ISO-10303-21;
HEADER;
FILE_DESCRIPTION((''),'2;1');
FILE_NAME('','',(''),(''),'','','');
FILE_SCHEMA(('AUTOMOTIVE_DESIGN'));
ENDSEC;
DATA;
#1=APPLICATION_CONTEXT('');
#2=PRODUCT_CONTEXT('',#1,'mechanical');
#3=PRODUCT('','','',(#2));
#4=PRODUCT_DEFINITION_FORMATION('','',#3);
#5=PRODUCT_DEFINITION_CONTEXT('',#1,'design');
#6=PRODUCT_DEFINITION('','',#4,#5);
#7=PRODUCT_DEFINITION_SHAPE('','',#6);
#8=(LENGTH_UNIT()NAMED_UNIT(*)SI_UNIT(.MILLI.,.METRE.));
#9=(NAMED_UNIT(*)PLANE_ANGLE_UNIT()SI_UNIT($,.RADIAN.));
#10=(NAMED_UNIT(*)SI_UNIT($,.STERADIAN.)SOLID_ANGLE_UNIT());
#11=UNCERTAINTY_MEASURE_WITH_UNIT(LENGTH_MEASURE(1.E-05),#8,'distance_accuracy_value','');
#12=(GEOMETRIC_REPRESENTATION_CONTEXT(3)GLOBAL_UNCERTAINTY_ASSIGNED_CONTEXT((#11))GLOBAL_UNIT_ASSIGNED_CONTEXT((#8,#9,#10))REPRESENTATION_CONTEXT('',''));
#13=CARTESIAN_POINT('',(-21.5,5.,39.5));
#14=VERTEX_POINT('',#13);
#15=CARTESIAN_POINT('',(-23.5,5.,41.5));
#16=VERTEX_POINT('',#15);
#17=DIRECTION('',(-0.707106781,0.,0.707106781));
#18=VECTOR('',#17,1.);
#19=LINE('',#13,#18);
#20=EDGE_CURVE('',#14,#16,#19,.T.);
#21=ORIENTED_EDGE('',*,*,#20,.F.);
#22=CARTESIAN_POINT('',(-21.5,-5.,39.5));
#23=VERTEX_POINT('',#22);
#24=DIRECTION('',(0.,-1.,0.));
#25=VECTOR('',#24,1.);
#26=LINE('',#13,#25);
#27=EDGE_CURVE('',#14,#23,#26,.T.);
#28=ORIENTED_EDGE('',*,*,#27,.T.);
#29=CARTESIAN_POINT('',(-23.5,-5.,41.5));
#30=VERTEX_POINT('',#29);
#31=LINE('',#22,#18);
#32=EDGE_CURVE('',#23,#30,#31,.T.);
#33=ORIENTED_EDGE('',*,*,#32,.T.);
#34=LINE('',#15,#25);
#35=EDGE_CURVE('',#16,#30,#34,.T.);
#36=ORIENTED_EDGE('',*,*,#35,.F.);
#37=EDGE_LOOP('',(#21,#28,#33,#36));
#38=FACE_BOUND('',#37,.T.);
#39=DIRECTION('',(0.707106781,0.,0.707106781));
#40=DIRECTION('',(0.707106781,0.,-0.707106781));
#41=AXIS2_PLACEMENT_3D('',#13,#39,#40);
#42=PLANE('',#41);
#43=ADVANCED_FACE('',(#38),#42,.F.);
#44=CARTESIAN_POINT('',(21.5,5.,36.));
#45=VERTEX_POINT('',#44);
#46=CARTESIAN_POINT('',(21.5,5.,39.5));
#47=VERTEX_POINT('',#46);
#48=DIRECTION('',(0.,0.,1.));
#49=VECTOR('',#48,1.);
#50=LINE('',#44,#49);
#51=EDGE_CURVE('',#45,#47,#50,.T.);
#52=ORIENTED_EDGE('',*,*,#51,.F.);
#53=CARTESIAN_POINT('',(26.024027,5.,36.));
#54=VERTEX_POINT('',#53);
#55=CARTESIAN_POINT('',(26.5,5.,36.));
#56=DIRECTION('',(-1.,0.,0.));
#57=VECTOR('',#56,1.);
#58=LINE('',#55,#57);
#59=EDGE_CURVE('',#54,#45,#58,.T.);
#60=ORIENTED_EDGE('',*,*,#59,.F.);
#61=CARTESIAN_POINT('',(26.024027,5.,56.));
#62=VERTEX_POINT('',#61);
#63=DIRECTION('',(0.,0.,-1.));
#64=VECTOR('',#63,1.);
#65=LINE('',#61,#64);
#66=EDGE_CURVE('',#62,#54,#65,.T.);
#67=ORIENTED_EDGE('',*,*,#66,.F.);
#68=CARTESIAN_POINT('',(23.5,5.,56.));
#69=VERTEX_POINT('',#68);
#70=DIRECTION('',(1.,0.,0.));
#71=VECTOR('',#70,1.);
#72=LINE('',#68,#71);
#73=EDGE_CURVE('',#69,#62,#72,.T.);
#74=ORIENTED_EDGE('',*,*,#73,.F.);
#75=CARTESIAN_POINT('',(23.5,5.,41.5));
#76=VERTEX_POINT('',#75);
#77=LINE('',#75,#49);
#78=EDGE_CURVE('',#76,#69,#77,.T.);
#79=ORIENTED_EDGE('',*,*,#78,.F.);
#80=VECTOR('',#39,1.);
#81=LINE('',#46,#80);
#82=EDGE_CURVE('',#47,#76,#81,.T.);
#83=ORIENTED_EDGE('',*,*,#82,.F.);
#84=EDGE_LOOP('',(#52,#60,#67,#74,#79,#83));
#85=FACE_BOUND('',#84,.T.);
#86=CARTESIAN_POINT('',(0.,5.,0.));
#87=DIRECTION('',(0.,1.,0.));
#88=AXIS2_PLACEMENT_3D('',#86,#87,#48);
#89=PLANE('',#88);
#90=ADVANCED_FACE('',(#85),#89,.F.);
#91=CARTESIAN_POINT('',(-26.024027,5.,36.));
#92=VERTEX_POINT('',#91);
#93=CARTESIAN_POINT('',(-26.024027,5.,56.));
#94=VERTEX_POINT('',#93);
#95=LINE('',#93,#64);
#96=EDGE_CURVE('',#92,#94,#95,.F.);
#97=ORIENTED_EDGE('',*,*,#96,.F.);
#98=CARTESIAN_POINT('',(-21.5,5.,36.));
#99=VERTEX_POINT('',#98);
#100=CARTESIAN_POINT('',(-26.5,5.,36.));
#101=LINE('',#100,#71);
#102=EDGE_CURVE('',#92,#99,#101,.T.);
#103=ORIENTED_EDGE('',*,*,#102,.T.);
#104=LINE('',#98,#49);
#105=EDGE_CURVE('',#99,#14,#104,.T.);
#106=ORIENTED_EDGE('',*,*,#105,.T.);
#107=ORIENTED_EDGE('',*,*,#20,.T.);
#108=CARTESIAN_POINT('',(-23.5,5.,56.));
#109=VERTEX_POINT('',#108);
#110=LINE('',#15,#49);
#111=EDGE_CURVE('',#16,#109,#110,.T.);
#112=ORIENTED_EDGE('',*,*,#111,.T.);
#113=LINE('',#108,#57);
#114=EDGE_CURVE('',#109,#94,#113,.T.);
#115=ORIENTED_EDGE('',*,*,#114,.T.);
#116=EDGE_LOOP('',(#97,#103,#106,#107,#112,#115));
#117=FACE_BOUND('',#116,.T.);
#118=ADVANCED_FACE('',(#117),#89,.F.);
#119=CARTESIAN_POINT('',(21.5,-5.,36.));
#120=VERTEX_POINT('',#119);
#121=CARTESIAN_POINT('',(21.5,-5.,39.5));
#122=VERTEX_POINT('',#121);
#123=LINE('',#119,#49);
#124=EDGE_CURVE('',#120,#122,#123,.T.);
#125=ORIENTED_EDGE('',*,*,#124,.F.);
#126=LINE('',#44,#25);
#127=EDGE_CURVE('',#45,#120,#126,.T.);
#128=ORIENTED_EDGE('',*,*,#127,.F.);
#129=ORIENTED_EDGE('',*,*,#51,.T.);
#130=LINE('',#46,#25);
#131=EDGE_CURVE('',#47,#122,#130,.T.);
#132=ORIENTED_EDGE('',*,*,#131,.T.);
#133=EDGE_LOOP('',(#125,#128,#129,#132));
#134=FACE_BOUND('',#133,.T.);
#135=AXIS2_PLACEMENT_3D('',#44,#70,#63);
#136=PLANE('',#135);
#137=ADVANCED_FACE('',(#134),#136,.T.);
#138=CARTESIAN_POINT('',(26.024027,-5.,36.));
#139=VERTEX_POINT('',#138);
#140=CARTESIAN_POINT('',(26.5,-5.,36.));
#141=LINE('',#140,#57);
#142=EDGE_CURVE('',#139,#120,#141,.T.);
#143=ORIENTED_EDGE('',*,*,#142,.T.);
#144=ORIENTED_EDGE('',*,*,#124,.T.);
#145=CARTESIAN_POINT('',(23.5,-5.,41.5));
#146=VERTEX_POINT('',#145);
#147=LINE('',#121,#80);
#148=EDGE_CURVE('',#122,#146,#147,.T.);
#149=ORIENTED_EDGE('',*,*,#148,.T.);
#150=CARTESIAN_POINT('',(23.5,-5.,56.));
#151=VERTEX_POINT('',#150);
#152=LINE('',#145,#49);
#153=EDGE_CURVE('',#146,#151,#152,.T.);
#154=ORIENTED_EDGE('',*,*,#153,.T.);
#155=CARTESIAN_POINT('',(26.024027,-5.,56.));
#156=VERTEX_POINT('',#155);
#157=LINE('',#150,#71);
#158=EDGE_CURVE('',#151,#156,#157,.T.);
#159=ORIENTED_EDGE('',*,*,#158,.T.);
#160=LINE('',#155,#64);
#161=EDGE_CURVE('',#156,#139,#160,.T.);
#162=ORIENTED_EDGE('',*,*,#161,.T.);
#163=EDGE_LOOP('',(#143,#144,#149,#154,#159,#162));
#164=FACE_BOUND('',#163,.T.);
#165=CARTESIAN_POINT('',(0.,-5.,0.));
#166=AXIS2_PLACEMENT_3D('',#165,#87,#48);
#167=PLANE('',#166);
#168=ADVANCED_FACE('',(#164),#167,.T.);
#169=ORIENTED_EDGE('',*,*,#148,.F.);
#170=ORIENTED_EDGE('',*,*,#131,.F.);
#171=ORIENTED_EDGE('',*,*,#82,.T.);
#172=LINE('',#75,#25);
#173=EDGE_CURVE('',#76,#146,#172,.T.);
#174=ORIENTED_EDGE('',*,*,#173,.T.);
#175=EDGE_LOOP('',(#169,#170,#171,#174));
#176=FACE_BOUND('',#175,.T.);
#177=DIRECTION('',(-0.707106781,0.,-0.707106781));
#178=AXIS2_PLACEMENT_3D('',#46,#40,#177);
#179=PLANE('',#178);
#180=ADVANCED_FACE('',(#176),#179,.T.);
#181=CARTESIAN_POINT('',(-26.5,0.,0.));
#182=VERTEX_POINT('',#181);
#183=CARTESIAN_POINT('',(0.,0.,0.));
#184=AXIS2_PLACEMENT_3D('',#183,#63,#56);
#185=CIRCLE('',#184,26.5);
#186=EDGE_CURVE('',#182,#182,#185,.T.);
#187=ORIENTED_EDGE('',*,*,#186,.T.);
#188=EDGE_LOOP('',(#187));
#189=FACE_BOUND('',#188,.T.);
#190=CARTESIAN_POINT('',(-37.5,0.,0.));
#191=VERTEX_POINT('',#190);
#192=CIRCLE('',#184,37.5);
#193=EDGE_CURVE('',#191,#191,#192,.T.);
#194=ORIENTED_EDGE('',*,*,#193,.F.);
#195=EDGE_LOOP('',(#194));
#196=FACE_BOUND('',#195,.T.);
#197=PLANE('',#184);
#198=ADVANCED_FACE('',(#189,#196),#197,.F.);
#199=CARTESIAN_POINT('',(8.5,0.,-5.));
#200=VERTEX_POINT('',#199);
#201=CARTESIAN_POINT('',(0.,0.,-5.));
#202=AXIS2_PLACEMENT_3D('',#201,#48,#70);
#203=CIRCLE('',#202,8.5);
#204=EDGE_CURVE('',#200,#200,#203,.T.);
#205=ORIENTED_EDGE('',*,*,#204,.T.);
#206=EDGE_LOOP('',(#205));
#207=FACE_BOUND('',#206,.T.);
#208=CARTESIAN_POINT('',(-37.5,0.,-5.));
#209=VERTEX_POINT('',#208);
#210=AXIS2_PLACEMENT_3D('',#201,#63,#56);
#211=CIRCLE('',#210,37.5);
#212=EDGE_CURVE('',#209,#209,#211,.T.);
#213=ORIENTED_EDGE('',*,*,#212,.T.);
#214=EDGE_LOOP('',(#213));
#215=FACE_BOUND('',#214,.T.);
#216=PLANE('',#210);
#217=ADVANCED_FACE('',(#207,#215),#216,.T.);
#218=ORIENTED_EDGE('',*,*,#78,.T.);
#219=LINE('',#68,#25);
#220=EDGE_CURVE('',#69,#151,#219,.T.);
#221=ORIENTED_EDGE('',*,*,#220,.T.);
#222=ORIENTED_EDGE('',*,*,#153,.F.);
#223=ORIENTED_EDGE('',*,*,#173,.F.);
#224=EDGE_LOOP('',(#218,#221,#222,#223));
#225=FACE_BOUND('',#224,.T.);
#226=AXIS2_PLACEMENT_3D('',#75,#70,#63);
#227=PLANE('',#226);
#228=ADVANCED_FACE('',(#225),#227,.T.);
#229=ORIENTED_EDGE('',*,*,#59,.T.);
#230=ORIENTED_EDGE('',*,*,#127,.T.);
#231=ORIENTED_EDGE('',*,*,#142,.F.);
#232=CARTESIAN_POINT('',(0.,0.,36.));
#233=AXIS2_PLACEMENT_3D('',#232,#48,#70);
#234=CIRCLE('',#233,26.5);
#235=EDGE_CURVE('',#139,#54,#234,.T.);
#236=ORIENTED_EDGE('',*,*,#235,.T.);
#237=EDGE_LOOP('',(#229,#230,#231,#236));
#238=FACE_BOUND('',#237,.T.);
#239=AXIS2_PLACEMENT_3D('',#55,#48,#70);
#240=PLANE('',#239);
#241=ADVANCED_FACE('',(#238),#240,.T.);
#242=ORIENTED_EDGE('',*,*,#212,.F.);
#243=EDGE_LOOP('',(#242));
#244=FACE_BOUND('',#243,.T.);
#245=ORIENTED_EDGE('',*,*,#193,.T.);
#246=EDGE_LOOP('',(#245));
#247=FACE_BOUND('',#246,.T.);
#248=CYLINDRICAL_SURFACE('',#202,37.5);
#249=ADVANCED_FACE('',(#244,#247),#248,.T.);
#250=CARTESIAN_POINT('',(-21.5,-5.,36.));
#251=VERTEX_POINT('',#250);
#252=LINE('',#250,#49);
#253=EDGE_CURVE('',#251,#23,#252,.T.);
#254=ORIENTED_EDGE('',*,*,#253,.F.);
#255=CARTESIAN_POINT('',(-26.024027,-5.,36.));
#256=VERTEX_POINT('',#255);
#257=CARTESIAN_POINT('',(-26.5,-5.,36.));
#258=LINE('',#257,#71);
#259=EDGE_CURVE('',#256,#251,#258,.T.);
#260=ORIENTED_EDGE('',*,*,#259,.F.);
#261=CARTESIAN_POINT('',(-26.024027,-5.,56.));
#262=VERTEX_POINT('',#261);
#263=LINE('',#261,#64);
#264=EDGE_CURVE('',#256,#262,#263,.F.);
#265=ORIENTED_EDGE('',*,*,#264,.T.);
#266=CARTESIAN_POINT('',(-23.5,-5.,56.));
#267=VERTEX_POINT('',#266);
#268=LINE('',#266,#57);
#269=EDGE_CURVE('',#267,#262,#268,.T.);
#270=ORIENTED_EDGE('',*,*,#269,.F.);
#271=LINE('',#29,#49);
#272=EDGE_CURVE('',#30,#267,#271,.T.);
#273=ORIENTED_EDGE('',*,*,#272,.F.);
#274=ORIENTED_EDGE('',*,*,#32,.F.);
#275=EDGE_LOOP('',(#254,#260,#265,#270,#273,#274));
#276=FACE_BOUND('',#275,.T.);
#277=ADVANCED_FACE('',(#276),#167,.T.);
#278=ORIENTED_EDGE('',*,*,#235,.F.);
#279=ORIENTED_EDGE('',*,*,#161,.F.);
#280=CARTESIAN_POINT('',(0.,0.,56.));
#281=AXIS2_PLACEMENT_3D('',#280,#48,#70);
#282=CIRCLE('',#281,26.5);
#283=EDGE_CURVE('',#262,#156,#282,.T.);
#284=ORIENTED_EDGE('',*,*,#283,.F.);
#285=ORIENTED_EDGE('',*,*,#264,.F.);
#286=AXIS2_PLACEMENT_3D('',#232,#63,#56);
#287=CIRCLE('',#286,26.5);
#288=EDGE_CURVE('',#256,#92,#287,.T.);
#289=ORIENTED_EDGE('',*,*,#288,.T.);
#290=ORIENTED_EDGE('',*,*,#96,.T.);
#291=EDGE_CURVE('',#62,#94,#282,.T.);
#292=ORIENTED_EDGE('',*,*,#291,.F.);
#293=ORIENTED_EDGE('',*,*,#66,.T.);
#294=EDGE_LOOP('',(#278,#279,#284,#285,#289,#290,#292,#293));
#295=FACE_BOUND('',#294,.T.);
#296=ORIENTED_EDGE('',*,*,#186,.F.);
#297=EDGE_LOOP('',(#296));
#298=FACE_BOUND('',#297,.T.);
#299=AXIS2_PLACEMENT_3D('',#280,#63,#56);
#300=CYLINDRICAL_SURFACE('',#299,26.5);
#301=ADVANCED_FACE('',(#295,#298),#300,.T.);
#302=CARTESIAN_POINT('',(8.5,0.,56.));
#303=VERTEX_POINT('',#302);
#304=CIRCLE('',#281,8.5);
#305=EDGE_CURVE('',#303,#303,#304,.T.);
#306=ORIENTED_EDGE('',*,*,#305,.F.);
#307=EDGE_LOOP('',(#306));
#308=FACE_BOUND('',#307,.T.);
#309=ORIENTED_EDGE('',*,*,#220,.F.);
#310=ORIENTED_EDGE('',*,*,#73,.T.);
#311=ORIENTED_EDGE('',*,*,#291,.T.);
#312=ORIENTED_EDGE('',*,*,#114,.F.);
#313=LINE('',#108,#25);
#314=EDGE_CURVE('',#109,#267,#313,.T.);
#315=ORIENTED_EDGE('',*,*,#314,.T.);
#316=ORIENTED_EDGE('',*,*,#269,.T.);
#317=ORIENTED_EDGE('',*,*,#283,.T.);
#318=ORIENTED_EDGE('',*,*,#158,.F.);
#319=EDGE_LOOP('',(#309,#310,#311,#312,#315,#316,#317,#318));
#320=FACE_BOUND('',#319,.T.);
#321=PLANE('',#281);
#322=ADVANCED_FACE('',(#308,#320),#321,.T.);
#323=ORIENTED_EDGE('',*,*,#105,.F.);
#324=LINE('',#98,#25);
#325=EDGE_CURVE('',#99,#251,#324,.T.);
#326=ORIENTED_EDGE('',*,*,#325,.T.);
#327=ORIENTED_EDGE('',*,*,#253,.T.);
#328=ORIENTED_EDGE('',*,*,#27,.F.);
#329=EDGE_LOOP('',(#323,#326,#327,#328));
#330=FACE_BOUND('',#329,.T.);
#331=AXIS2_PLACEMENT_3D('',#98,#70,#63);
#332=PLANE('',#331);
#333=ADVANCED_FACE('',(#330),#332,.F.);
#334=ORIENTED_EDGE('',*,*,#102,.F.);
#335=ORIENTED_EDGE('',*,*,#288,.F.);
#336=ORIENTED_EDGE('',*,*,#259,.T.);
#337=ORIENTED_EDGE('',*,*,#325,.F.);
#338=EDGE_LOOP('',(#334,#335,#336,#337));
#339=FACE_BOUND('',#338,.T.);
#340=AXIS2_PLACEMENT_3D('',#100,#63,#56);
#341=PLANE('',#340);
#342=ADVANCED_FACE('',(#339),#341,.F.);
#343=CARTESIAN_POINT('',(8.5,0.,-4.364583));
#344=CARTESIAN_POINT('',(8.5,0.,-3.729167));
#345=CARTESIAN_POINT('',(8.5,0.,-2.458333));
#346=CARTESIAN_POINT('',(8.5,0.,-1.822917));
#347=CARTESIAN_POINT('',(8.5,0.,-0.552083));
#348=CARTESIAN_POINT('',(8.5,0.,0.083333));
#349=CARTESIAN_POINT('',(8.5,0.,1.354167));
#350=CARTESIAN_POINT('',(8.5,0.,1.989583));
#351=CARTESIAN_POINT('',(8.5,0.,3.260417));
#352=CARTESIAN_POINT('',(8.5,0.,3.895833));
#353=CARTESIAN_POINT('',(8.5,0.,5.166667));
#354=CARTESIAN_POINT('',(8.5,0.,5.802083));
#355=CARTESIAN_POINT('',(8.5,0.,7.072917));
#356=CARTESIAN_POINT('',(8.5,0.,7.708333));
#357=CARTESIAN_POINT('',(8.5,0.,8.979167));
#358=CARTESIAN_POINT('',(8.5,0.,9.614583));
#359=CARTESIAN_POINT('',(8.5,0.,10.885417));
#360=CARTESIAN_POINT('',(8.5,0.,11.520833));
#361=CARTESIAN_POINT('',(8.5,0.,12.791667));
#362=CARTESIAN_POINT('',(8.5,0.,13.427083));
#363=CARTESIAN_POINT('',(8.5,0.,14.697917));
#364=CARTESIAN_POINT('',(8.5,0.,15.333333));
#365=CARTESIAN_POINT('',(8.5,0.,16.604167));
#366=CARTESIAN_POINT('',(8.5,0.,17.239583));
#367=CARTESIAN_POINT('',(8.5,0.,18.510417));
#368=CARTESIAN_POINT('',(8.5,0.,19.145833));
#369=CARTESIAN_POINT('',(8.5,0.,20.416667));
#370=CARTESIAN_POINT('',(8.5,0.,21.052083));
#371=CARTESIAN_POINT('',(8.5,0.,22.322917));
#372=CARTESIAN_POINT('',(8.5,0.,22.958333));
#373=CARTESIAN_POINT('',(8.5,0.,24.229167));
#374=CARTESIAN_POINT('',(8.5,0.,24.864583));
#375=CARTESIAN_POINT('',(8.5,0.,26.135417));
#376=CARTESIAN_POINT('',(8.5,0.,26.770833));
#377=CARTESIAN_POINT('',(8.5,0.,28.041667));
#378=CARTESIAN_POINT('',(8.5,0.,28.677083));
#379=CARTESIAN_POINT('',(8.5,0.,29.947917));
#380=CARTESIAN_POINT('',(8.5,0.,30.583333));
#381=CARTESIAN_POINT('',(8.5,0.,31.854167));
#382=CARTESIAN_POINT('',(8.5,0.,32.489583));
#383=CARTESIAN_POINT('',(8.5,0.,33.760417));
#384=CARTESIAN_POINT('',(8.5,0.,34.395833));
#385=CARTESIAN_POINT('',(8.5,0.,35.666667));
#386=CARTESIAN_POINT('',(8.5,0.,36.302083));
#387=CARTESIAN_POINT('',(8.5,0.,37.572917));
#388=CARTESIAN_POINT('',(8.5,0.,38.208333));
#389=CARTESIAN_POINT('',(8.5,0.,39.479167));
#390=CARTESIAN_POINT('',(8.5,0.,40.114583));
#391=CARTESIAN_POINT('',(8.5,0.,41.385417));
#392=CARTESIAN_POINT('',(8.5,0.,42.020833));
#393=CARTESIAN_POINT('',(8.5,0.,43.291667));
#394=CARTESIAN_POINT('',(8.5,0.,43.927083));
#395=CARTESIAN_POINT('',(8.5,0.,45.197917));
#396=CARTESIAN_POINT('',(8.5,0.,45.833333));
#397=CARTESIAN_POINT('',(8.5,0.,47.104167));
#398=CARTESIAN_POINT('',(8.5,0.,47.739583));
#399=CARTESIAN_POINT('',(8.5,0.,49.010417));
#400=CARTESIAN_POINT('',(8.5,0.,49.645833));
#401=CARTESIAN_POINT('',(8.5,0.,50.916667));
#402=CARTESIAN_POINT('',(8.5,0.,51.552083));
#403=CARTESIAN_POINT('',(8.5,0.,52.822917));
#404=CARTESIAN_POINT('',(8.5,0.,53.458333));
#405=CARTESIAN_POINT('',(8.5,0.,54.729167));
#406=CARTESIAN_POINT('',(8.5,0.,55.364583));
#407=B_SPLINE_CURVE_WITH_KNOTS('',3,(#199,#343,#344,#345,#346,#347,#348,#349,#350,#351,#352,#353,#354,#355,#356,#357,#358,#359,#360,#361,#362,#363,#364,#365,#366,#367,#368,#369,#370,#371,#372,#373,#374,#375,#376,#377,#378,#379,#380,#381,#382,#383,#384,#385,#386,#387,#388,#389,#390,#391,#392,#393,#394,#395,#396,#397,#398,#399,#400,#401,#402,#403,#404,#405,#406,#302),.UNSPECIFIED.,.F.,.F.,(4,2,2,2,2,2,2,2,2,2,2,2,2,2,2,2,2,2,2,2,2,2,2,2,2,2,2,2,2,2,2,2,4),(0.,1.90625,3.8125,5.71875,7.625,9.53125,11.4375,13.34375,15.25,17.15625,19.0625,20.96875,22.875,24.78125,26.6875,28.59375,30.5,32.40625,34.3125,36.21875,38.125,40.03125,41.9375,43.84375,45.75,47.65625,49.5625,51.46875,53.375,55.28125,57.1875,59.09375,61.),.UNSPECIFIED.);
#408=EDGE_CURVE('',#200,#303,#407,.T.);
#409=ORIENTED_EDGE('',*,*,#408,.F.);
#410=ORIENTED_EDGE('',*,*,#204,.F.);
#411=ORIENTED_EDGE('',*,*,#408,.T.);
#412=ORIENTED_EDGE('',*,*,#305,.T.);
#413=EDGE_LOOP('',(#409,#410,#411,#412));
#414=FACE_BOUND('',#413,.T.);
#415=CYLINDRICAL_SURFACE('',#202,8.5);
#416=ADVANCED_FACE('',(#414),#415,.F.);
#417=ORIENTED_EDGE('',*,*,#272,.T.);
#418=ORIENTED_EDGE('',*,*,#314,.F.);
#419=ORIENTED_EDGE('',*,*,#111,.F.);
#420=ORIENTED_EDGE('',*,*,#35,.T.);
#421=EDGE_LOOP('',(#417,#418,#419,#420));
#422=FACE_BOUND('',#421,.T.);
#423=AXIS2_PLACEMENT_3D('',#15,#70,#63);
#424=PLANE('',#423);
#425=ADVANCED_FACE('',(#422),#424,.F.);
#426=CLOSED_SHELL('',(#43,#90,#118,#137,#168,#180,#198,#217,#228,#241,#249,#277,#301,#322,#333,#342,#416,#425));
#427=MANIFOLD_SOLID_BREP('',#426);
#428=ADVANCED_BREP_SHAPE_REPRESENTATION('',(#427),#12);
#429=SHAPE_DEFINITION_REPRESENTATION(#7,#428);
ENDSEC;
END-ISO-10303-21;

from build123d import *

# Parameters (mm, degrees)
SKETCH1_R           = 26.5
BOSS_EXTRUDE1_DEPTH = 56
SKETCH4_R           = 37.5
BOSS_EXTRUDE2_DEPTH = 5
SKETCH5_R           = 8.5
CUT_EXTRUDE1_DEPTH  = 81.830068663
CUT_EXTRUDE2_DEPTH  = 5


with BuildPart() as part:
    # Sketch1 → Boss-Extrude1 (new body)
    with BuildSketch(Plane.XY):
        Circle(SKETCH1_R)
    extrude(amount=BOSS_EXTRUDE1_DEPTH)

    # Sketch4 → Boss-Extrude2 (add)
    with BuildSketch(Plane(origin=(0, 0, 0), x_dir=(-1, 0, 0), z_dir=(0, 0, -1))):
        Circle(SKETCH4_R)
    extrude(amount=BOSS_EXTRUDE2_DEPTH)

    # Sketch5 → Cut-Extrude1 (cut, through all)
    with BuildSketch(Plane.XY.offset(56)):
        Circle(SKETCH5_R)
    extrude(amount=-CUT_EXTRUDE1_DEPTH, mode=Mode.SUBTRACT)

    # Sketch6 → Cut-Extrude2 (cut, symmetric)
    with BuildSketch(Plane(origin=(0, 0, 0), x_dir=(1, 0, 0), z_dir=(0, 1, 0))):
        Polygon((23.5, -56), (26.5, -56), (26.5, -36), (21.5, -36), (21.5, -39.5), (23.5, -41.5), align=None)
    cut_extrude2 = extrude(amount=CUT_EXTRUDE2_DEPTH, both=True, mode=Mode.SUBTRACT)

    # Mirror1: Cut-Extrude2 across plane
    add(cut_extrude2.mirror(Plane(origin=(0, 0, 0), x_dir=(0, 0, 1), z_dir=(1, 0, 0))), mode=Mode.SUBTRACT)


solid = part.part
